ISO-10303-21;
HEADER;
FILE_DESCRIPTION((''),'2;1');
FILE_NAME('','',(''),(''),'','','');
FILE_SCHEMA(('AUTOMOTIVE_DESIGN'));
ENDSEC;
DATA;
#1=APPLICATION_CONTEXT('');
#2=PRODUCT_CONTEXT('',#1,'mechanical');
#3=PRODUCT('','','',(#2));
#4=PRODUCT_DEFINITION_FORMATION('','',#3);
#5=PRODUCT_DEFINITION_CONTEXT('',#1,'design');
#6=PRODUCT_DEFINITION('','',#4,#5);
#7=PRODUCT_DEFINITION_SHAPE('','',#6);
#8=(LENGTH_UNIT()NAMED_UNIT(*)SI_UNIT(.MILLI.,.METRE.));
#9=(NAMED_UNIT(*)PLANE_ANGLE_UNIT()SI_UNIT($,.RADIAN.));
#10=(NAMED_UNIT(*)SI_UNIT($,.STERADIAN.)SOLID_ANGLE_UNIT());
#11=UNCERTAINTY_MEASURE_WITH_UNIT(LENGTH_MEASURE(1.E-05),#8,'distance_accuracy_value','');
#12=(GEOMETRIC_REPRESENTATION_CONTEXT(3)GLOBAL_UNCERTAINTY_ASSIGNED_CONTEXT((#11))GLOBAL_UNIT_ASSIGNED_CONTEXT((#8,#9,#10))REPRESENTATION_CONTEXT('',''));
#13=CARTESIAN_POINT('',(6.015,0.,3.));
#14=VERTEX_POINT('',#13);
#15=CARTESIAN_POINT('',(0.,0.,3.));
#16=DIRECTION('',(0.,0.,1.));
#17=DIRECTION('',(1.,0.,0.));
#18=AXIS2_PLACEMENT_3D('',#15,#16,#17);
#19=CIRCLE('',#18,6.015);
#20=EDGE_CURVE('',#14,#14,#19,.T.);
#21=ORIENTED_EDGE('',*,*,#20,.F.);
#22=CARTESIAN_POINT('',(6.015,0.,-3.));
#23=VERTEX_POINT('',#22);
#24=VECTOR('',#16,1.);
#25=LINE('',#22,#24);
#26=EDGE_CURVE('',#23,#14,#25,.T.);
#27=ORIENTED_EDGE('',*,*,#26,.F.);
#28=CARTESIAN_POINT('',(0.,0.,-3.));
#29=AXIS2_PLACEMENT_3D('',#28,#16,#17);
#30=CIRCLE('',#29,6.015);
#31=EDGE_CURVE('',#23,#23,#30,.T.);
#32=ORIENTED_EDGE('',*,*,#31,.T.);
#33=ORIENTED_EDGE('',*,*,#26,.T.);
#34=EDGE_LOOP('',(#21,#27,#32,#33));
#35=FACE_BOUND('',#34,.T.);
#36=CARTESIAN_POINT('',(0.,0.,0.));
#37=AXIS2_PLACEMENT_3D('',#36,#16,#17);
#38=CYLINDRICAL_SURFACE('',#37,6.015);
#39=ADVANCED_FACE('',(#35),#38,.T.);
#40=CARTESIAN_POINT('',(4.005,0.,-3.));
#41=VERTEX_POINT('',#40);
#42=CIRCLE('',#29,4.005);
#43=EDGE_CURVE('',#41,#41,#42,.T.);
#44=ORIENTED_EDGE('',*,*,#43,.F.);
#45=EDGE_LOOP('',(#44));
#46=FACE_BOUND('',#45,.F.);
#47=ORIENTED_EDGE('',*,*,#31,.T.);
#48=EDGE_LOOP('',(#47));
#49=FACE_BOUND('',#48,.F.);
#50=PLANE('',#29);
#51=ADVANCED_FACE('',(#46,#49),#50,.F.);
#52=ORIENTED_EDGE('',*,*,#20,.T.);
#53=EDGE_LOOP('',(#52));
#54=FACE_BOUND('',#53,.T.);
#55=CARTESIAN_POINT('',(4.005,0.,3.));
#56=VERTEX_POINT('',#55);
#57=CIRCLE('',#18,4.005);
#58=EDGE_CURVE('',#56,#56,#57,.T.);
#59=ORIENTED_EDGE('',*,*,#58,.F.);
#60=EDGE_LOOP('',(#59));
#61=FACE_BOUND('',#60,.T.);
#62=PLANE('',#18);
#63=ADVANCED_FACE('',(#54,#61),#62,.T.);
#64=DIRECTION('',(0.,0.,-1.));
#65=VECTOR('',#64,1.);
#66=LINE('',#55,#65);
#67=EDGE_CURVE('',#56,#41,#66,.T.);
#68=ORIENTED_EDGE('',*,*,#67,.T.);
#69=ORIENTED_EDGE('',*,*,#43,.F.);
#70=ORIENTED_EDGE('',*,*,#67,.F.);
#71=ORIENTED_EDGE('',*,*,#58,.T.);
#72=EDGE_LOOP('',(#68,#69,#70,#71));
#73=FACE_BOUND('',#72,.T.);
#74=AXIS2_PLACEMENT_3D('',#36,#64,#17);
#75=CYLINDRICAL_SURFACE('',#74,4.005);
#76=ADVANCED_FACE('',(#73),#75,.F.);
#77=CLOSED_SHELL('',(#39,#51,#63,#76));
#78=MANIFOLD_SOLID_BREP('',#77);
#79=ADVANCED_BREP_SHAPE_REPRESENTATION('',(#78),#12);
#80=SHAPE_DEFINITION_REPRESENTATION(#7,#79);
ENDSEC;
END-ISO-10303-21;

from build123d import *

# Parameters (mm, degrees)
SKETCH1_R      = 6.015
SKETCH1_R_2    = 4.005
EXTRUDE1_DEPTH = 3


with BuildPart() as part:
    # Sketch1 → Extrude1 (new body, symmetric)
    with BuildSketch(Plane.XY):
        Circle(SKETCH1_R)
        Circle(SKETCH1_R_2, mode=Mode.SUBTRACT)
    extrude(amount=EXTRUDE1_DEPTH, both=True)


solid = part.part
